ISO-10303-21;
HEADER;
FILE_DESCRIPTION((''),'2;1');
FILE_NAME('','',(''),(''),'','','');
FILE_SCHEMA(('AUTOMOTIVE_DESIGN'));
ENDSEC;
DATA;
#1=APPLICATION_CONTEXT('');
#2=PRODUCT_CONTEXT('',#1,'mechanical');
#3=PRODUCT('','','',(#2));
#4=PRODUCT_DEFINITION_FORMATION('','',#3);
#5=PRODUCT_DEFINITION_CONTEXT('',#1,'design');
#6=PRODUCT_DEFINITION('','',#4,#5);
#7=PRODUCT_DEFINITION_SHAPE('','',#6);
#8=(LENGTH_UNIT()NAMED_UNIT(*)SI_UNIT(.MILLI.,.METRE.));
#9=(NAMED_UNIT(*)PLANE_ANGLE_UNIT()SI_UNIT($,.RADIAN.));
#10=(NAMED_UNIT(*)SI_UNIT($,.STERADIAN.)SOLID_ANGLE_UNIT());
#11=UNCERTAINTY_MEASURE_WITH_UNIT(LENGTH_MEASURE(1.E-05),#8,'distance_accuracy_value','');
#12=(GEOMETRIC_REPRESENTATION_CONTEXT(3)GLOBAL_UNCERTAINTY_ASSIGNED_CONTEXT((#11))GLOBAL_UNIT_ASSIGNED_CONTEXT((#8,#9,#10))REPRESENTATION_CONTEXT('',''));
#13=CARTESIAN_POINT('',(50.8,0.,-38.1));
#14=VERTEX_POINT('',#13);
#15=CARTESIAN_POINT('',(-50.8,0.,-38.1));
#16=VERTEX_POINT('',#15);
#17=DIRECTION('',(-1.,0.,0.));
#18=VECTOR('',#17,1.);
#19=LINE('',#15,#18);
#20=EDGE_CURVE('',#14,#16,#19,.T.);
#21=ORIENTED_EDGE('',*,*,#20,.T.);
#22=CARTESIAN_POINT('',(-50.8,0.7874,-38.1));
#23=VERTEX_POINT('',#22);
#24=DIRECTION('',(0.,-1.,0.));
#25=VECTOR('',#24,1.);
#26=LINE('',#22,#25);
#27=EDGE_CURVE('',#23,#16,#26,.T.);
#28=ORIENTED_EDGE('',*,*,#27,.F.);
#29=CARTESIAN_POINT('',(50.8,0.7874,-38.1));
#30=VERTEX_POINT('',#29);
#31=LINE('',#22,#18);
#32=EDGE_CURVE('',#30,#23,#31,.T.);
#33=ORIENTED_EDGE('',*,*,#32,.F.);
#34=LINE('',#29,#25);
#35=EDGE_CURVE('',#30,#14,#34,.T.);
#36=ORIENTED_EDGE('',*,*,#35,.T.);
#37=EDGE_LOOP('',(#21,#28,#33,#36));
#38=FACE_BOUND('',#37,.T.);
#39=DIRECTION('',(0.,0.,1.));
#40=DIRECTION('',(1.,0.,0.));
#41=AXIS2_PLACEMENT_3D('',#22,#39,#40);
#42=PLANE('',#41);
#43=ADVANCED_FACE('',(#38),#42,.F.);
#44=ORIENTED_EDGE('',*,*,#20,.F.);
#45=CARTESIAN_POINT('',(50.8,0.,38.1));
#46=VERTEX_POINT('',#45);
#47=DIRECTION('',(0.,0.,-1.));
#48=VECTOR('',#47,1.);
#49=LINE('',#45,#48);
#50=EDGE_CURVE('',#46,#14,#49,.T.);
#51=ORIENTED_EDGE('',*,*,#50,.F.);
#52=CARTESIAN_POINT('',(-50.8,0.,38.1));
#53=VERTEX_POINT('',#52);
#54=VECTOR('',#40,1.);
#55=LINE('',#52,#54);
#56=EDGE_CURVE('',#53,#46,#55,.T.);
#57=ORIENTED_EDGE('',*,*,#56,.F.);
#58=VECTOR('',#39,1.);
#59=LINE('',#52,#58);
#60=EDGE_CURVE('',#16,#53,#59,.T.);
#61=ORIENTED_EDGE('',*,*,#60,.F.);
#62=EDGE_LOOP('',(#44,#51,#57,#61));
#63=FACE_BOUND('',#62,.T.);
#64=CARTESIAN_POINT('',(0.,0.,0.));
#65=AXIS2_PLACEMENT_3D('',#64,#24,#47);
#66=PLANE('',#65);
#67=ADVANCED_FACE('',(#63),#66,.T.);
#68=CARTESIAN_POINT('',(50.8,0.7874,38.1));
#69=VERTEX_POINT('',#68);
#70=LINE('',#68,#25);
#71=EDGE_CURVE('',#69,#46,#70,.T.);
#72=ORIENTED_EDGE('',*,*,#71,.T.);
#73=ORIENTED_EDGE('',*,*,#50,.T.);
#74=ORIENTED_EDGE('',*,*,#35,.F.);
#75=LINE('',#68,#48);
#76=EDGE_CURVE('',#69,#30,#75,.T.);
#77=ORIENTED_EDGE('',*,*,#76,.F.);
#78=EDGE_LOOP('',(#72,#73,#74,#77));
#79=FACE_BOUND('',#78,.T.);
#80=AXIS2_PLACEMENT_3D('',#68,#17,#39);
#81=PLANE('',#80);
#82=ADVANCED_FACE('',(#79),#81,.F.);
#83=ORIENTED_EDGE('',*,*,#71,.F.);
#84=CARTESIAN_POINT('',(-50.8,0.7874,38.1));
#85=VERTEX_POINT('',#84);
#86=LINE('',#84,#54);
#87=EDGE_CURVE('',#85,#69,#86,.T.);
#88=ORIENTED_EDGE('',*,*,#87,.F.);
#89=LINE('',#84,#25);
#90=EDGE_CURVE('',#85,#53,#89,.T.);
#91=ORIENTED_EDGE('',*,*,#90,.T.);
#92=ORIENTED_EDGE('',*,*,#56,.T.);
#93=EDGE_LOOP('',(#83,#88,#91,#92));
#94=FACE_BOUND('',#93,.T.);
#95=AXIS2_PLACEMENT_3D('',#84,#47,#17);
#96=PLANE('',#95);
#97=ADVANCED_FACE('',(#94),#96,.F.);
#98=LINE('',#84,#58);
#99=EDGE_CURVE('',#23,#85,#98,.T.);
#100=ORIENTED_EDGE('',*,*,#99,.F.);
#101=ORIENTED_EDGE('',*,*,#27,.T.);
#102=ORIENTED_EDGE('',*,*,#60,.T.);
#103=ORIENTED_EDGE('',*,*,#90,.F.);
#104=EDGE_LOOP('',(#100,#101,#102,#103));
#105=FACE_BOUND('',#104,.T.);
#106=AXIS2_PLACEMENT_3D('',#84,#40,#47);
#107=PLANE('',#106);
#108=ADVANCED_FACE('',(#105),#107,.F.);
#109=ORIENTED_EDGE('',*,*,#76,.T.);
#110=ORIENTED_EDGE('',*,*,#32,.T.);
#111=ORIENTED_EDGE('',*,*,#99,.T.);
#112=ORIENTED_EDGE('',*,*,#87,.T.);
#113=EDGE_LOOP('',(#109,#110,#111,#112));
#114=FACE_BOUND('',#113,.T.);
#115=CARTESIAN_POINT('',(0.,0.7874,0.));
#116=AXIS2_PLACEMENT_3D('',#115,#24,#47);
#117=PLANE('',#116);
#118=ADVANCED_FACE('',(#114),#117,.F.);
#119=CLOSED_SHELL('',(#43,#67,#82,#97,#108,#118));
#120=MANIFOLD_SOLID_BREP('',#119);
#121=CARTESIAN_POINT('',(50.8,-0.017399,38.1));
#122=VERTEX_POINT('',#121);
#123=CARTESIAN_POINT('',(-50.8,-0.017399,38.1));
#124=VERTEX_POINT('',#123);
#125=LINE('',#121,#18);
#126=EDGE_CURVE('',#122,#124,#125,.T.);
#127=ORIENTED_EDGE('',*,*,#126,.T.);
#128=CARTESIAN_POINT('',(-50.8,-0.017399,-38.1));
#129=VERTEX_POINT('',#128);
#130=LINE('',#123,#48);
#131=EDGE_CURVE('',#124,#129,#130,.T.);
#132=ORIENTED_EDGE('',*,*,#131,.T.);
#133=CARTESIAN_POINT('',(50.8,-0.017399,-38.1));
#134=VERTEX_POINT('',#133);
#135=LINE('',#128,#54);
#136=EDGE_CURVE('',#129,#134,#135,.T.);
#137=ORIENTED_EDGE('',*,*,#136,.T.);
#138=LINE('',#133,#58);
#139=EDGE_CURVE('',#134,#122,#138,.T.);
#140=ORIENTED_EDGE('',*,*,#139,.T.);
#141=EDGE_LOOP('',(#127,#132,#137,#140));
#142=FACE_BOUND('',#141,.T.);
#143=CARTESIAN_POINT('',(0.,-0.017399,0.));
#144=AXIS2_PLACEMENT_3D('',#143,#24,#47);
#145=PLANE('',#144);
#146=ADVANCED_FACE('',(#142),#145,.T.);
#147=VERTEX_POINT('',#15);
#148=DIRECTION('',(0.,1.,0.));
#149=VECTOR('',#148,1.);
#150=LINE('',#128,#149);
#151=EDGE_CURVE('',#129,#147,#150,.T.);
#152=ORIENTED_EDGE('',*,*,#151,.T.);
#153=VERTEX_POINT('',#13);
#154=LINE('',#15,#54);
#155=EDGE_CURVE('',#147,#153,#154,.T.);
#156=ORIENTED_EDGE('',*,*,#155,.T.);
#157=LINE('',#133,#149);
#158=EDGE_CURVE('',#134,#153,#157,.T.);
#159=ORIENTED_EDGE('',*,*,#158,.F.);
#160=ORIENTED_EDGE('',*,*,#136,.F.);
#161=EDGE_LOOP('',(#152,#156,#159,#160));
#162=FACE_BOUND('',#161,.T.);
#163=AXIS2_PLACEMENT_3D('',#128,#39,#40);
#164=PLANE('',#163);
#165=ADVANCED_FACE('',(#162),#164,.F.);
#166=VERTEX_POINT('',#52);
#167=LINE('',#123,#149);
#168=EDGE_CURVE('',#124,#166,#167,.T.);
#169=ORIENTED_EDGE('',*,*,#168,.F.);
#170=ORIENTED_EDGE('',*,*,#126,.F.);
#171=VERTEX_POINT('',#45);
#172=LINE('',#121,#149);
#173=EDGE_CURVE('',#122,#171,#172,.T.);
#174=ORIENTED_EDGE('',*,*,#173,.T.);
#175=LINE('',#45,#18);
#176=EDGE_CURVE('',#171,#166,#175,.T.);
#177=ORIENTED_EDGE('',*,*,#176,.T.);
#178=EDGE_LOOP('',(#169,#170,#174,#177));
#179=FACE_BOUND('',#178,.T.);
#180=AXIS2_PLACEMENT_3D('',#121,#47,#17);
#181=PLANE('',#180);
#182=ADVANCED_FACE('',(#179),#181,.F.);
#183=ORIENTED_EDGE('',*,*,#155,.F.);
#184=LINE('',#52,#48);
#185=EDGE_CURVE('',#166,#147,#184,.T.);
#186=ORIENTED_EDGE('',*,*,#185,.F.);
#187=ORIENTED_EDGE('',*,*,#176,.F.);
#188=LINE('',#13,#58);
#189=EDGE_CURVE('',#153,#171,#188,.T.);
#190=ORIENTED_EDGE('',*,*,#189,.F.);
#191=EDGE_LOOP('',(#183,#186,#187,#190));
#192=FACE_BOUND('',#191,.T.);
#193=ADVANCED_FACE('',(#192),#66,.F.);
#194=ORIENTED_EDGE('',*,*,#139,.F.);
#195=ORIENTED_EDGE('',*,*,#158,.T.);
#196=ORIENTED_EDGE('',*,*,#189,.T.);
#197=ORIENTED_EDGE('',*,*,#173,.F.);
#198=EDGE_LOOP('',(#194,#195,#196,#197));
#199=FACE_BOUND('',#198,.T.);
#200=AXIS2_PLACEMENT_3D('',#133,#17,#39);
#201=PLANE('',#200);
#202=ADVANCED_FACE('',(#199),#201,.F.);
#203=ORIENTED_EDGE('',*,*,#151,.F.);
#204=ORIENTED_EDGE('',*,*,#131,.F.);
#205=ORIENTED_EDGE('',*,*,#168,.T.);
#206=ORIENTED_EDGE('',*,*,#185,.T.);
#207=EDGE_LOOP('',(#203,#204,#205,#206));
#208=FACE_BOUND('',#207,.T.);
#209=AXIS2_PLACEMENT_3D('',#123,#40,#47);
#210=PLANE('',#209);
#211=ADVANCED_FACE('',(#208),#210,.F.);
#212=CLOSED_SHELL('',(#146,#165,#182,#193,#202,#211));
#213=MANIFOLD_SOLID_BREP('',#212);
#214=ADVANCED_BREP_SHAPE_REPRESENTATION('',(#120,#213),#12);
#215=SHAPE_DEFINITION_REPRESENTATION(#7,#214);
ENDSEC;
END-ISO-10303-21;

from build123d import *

# Parameters (mm, degrees)
SKETCH1_W           = 101.6
SKETCH1_H           = 76.2
BOSS_EXTRUDE1_DEPTH = 0.7874
SKETCH2_W           = 101.6
SKETCH2_H           = 76.2
BOSS_EXTRUDE2_DEPTH = 0.017399


with BuildPart() as part:
    # Sketch1 → Boss-Extrude1 (new body)
    with BuildSketch(Plane(origin=(0, 0, 0), x_dir=(1, 0, 0), z_dir=(0, 1, 0))):
        Rectangle(SKETCH1_W, SKETCH1_H)
    extrude(amount=BOSS_EXTRUDE1_DEPTH)


with BuildPart() as body_2:
    # Sketch2 → Boss-Extrude2 (new body)
    with BuildSketch(Plane.XZ):
        Rectangle(SKETCH2_W, SKETCH2_H)
    extrude(amount=BOSS_EXTRUDE2_DEPTH)


solid = Compound([part.part, body_2.part])
